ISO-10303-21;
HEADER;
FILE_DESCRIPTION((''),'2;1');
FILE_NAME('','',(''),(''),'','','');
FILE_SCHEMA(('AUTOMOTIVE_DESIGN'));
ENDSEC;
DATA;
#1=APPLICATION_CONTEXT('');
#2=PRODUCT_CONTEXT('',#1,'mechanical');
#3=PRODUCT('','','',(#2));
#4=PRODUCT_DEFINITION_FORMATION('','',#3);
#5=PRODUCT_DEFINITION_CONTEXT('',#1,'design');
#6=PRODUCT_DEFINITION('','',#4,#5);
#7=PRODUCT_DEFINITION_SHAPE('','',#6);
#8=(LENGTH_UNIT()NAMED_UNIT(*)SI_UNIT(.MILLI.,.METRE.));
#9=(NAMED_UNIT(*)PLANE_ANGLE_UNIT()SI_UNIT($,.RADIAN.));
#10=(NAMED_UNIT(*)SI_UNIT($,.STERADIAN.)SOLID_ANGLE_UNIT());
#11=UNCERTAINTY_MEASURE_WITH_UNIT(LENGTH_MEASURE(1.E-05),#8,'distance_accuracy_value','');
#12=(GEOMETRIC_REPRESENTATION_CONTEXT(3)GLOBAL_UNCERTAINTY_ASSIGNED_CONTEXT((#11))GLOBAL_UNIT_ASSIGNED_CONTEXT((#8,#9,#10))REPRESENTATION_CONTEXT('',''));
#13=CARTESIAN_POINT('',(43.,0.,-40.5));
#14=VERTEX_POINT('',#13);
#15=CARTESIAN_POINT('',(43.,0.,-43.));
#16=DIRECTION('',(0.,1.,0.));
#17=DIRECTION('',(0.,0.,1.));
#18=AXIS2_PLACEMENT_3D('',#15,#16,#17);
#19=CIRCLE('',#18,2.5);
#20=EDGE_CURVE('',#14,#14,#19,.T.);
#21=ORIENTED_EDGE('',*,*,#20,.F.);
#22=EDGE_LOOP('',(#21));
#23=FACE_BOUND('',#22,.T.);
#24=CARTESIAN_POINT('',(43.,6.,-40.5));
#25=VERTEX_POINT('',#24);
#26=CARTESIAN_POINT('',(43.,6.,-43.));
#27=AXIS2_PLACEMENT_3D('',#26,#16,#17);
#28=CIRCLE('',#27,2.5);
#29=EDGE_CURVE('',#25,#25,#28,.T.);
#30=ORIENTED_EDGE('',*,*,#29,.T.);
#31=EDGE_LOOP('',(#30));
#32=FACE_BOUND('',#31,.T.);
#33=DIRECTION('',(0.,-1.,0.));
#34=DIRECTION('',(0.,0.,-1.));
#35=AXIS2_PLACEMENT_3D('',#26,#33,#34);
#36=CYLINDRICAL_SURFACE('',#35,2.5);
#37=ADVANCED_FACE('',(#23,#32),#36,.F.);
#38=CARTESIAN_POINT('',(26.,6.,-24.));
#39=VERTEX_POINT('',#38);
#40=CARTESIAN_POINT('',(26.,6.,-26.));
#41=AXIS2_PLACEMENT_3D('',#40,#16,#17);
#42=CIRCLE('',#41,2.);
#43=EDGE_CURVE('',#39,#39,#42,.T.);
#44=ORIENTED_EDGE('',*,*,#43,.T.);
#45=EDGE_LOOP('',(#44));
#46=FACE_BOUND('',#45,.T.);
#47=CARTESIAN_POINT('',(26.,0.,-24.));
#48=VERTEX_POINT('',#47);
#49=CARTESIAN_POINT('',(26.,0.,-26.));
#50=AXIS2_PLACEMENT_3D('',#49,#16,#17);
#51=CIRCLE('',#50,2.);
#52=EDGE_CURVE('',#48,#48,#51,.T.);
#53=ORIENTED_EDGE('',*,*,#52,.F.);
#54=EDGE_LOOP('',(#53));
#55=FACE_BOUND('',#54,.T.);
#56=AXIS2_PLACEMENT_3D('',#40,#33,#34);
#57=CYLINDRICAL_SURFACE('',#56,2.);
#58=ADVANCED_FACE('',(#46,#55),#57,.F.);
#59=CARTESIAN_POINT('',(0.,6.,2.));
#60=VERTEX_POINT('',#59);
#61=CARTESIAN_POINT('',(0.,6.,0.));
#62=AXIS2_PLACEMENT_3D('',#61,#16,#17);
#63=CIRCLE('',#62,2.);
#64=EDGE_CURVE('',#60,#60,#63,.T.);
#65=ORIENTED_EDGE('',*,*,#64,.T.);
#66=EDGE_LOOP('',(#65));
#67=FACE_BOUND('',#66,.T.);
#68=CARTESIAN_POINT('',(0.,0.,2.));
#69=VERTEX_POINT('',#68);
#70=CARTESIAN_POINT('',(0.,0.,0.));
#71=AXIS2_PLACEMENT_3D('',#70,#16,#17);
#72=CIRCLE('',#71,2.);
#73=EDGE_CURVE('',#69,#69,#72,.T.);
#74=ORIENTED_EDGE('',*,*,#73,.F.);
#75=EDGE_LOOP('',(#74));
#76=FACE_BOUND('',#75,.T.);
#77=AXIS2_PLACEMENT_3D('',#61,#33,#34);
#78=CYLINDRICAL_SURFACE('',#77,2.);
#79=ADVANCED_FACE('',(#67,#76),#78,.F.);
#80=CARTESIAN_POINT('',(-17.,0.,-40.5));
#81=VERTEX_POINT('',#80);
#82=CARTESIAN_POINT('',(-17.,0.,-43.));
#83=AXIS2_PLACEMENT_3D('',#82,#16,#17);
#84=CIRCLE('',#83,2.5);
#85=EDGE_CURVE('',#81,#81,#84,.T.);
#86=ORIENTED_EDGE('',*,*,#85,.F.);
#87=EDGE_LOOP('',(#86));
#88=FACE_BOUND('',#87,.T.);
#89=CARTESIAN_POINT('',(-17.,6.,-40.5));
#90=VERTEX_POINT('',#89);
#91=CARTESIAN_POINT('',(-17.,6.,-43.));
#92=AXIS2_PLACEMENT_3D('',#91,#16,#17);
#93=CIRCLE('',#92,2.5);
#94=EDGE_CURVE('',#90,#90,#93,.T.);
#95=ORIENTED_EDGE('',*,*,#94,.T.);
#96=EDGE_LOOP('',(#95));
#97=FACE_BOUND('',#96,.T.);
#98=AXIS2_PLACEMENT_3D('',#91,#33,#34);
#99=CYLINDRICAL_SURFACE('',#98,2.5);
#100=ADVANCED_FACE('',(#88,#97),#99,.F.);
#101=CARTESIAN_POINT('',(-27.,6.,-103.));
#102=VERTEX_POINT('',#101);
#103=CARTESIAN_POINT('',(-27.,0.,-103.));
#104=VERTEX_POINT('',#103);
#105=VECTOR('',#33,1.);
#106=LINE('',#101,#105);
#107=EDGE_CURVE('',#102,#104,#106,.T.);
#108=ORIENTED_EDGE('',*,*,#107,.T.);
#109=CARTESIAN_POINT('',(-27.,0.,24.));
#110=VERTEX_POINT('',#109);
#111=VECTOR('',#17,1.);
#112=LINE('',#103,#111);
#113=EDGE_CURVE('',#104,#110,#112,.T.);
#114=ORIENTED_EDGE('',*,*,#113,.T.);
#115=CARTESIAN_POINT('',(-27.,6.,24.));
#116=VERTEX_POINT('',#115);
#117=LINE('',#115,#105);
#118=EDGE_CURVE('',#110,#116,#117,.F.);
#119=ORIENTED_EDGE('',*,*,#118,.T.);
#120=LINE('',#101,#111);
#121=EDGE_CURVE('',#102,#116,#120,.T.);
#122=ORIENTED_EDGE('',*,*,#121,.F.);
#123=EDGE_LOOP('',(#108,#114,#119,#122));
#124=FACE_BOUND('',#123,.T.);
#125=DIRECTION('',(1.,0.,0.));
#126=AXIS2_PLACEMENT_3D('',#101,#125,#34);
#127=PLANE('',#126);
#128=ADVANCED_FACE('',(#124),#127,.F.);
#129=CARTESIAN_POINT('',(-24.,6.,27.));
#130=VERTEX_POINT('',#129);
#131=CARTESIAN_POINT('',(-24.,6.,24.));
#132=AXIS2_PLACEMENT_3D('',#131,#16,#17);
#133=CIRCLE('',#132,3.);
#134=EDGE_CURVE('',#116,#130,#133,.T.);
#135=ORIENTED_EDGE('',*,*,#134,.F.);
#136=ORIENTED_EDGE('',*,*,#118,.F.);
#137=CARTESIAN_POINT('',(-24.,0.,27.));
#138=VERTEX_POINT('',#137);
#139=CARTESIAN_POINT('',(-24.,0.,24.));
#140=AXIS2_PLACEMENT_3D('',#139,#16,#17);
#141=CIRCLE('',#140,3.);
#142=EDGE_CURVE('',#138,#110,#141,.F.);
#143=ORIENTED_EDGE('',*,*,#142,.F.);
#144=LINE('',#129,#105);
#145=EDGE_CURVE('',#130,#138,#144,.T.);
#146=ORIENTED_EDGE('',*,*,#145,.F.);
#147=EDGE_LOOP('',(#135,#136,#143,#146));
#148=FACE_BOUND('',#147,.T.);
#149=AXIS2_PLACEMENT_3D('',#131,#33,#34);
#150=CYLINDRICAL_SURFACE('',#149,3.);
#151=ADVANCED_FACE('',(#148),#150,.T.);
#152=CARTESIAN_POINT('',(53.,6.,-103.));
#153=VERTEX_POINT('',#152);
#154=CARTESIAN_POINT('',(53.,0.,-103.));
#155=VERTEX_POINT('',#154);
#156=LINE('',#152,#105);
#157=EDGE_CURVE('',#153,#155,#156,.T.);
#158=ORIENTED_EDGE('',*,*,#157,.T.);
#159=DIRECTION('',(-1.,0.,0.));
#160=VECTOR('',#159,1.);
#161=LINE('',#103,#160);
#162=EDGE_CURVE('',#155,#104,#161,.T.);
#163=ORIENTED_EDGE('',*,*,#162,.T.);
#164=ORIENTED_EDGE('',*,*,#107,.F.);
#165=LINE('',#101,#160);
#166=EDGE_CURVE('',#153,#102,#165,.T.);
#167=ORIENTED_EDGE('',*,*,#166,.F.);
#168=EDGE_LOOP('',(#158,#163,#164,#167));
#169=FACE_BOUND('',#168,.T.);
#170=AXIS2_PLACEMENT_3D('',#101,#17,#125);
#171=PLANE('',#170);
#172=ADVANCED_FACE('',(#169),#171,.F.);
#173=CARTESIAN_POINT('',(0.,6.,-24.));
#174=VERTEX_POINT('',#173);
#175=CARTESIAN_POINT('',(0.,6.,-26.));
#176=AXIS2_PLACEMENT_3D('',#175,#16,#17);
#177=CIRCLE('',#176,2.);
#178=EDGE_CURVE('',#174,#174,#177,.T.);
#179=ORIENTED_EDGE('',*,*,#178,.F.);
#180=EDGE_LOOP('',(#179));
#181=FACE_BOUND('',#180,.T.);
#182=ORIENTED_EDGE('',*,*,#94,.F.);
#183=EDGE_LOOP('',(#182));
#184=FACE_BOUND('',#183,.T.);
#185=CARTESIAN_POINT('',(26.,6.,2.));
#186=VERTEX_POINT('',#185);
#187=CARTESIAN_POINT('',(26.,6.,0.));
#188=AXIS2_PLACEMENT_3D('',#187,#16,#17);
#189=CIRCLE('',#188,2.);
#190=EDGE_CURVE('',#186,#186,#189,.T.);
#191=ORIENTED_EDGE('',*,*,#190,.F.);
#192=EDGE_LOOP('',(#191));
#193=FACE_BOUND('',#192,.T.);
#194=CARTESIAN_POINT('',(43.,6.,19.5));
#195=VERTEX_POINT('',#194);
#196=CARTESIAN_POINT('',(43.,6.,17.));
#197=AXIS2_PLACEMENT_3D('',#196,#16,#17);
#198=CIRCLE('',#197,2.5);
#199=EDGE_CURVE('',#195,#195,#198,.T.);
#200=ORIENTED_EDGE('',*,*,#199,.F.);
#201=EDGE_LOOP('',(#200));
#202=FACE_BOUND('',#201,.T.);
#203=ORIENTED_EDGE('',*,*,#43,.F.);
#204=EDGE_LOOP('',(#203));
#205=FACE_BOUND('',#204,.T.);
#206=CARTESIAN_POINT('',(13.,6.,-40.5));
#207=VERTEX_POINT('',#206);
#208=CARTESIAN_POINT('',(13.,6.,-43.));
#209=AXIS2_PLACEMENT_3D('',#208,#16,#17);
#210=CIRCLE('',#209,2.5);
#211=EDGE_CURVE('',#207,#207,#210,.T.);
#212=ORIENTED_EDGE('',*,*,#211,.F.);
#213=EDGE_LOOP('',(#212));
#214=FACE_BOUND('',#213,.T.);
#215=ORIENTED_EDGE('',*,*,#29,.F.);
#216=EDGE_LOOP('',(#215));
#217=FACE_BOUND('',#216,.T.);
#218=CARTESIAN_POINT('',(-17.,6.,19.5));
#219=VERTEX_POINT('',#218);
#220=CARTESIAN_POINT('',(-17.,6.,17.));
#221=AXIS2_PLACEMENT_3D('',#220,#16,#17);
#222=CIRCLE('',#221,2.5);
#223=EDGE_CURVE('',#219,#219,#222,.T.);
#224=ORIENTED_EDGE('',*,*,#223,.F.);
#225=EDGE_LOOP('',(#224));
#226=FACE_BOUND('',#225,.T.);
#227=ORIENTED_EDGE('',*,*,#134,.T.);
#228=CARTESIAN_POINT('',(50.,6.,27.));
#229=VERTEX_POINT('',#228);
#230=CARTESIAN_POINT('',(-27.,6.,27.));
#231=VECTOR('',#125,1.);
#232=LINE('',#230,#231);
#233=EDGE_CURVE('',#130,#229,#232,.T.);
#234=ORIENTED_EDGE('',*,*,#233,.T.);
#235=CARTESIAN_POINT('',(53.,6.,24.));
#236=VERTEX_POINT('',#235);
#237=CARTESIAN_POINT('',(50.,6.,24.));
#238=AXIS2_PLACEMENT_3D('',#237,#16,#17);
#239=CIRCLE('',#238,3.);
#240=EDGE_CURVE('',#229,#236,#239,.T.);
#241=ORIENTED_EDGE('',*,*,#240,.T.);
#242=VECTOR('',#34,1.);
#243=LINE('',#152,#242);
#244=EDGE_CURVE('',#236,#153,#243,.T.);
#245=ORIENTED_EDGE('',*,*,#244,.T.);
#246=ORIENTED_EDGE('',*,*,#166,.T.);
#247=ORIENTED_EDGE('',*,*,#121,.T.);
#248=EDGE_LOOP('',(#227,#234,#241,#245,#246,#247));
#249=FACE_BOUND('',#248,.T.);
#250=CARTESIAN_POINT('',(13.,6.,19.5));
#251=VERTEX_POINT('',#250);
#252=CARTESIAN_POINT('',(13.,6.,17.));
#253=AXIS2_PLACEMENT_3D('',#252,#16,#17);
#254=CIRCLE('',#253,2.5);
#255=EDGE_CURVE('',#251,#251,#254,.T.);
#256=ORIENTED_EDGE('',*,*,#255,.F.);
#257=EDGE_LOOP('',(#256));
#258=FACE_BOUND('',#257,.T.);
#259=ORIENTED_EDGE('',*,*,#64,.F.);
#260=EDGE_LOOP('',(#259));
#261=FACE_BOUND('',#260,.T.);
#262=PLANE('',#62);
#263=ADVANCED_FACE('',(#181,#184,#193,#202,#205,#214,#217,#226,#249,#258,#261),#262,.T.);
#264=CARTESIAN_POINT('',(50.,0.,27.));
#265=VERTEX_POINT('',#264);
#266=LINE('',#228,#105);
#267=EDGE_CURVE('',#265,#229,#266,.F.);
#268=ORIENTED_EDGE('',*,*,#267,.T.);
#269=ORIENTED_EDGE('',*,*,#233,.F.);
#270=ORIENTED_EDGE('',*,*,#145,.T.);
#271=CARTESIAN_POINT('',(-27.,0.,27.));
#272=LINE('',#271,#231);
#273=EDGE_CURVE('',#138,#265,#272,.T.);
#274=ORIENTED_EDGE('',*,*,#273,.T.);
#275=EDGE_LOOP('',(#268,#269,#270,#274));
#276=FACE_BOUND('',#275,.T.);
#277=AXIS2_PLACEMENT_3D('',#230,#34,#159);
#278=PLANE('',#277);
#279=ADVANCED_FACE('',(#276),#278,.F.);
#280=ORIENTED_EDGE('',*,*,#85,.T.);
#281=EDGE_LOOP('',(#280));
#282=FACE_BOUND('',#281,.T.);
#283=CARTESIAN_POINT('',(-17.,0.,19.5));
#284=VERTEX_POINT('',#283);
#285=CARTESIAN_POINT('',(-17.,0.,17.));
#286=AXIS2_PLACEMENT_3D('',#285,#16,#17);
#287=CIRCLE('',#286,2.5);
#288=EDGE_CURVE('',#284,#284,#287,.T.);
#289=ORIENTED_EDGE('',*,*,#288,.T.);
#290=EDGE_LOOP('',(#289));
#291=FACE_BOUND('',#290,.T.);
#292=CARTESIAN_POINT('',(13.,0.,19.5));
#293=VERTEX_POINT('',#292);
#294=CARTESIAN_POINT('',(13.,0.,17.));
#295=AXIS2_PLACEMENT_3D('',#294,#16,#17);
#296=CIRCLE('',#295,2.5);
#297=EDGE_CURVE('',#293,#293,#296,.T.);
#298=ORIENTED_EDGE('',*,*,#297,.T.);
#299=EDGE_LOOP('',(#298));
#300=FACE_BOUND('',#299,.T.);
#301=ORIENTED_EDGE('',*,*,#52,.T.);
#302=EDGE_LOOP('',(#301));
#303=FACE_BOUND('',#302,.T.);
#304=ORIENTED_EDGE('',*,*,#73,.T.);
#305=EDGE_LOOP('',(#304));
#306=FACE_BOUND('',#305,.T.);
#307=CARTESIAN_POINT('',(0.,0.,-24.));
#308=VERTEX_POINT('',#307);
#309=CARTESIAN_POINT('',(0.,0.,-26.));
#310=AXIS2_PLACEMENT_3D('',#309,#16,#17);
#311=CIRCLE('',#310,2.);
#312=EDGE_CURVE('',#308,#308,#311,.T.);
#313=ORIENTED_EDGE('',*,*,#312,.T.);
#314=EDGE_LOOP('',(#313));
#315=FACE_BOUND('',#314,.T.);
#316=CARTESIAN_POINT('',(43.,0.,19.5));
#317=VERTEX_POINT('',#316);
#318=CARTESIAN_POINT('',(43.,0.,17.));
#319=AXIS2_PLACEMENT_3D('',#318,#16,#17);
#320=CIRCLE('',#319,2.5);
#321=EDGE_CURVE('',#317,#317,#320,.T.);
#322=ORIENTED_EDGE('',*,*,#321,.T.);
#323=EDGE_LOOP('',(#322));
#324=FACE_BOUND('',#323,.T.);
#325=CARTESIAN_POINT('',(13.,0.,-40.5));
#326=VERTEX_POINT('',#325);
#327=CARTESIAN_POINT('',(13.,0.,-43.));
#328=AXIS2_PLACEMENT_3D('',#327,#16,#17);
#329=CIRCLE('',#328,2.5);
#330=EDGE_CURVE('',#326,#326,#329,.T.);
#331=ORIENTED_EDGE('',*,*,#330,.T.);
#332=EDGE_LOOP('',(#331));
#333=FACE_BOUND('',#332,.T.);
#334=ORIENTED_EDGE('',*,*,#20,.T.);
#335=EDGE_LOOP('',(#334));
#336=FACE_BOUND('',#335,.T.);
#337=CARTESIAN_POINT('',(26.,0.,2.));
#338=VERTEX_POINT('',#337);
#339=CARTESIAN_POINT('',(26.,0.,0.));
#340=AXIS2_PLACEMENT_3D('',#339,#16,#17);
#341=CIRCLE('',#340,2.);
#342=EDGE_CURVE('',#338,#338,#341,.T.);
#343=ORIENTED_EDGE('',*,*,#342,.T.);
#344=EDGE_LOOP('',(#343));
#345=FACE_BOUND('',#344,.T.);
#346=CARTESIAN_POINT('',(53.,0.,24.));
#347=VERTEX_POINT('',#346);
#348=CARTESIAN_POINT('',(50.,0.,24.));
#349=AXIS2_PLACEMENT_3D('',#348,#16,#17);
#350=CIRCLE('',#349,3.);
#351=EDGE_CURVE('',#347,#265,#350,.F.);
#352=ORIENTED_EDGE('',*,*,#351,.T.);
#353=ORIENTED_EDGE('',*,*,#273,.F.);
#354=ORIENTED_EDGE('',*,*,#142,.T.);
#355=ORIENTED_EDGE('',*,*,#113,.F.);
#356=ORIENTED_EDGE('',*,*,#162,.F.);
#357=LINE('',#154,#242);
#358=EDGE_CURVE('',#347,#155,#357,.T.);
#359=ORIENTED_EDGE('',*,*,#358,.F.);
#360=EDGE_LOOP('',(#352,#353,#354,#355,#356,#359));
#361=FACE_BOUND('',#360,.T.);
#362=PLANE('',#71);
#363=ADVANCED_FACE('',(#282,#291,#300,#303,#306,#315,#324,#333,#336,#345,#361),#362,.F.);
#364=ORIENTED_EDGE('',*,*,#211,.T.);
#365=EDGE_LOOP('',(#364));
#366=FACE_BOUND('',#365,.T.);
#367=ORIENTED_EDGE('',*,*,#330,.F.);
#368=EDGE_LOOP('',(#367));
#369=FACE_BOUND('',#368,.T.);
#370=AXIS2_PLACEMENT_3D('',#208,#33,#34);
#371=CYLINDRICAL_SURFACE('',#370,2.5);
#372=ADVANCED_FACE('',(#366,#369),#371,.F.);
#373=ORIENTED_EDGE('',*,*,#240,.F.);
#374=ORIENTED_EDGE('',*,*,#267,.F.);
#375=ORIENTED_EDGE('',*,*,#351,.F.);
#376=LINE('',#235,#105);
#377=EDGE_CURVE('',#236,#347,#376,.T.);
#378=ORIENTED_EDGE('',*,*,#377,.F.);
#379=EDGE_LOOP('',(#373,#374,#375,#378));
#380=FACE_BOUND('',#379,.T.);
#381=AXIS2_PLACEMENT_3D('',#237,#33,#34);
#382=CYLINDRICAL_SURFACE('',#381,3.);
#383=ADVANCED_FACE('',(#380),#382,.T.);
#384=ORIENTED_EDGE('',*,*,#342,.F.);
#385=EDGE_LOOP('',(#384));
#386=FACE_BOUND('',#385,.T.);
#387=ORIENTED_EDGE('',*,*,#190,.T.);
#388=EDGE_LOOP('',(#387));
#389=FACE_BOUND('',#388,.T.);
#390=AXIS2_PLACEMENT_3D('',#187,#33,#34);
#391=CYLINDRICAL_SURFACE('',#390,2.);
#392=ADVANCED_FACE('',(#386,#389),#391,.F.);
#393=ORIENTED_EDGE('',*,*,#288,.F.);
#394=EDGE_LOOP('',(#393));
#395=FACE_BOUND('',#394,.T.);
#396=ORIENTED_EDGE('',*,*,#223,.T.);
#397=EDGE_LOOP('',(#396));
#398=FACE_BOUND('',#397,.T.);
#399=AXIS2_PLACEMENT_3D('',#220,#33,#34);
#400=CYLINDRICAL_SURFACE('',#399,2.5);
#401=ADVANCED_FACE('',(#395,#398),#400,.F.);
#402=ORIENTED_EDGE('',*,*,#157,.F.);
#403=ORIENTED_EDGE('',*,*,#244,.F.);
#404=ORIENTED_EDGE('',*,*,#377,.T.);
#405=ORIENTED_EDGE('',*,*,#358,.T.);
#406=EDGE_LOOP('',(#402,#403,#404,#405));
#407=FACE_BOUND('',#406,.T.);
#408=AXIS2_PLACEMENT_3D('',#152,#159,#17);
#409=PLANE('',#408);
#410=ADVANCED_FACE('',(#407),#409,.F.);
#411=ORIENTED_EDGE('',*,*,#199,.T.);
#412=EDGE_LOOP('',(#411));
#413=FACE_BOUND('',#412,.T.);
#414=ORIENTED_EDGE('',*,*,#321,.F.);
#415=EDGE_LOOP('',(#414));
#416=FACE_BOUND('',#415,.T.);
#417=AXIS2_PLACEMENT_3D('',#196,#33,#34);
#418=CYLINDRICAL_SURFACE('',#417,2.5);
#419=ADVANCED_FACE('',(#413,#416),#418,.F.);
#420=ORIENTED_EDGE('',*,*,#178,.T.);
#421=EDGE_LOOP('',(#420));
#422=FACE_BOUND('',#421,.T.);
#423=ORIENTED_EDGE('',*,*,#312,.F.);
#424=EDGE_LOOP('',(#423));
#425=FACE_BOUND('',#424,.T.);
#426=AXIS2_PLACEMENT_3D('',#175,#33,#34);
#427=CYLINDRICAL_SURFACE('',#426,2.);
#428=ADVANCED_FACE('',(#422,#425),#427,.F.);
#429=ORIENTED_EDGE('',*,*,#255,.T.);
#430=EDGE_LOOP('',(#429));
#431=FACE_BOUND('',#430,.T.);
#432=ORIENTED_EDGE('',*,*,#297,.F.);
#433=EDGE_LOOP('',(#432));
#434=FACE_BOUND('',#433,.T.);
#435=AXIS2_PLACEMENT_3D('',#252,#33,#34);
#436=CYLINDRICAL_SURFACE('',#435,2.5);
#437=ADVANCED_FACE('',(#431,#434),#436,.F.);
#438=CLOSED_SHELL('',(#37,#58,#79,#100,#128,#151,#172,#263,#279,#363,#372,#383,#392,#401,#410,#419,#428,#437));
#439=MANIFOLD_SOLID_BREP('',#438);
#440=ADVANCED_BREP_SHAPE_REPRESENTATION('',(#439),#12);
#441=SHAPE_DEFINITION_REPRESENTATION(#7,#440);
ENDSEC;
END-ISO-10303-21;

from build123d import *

# Parameters (mm, degrees)
SKETCH1_W           = 80
SKETCH1_H           = 130
SKETCH1_R           = 2
SKETCH1_R_2         = 2.5
BOSS_EXTRUDE1_DEPTH = 6
FILLET1_R           = 3


with BuildPart() as part:
    # Sketch1 → Boss-Extrude1 (new body)
    with BuildSketch(Plane(origin=(0, 0, 0), x_dir=(1, 0, 0), z_dir=(0, 1, 0))):
        with Locations((13, 38)):
            Rectangle(SKETCH1_W, SKETCH1_H)
        with Locations((0, 26)):
            Circle(SKETCH1_R, mode=Mode.SUBTRACT)
        with Locations((26, 26)):
            Circle(SKETCH1_R, mode=Mode.SUBTRACT)
        with Locations((26, 0)):
            Circle(SKETCH1_R, mode=Mode.SUBTRACT)
        Circle(SKETCH1_R, mode=Mode.SUBTRACT)
        with Locations((-17, 43)):
            Circle(SKETCH1_R_2, mode=Mode.SUBTRACT)
        with Locations((43, 43)):
            Circle(SKETCH1_R_2, mode=Mode.SUBTRACT)
        with Locations((43, -17)):
            Circle(SKETCH1_R_2, mode=Mode.SUBTRACT)
        with Locations((-17, -17)):
            Circle(SKETCH1_R_2, mode=Mode.SUBTRACT)
        with Locations((13, 43)):
            Circle(SKETCH1_R_2, mode=Mode.SUBTRACT)
        with Locations((13, -17)):
            Circle(SKETCH1_R_2, mode=Mode.SUBTRACT)
    extrude(amount=BOSS_EXTRUDE1_DEPTH)

    # Fillet1
    fillet1_edges = [part.edges().sort_by_distance(p)[0] for p in [
        (53, 3, 27),
        (-27, 3, 27),
    ]]
    fillet(fillet1_edges, radius=FILLET1_R)


solid = part.part
